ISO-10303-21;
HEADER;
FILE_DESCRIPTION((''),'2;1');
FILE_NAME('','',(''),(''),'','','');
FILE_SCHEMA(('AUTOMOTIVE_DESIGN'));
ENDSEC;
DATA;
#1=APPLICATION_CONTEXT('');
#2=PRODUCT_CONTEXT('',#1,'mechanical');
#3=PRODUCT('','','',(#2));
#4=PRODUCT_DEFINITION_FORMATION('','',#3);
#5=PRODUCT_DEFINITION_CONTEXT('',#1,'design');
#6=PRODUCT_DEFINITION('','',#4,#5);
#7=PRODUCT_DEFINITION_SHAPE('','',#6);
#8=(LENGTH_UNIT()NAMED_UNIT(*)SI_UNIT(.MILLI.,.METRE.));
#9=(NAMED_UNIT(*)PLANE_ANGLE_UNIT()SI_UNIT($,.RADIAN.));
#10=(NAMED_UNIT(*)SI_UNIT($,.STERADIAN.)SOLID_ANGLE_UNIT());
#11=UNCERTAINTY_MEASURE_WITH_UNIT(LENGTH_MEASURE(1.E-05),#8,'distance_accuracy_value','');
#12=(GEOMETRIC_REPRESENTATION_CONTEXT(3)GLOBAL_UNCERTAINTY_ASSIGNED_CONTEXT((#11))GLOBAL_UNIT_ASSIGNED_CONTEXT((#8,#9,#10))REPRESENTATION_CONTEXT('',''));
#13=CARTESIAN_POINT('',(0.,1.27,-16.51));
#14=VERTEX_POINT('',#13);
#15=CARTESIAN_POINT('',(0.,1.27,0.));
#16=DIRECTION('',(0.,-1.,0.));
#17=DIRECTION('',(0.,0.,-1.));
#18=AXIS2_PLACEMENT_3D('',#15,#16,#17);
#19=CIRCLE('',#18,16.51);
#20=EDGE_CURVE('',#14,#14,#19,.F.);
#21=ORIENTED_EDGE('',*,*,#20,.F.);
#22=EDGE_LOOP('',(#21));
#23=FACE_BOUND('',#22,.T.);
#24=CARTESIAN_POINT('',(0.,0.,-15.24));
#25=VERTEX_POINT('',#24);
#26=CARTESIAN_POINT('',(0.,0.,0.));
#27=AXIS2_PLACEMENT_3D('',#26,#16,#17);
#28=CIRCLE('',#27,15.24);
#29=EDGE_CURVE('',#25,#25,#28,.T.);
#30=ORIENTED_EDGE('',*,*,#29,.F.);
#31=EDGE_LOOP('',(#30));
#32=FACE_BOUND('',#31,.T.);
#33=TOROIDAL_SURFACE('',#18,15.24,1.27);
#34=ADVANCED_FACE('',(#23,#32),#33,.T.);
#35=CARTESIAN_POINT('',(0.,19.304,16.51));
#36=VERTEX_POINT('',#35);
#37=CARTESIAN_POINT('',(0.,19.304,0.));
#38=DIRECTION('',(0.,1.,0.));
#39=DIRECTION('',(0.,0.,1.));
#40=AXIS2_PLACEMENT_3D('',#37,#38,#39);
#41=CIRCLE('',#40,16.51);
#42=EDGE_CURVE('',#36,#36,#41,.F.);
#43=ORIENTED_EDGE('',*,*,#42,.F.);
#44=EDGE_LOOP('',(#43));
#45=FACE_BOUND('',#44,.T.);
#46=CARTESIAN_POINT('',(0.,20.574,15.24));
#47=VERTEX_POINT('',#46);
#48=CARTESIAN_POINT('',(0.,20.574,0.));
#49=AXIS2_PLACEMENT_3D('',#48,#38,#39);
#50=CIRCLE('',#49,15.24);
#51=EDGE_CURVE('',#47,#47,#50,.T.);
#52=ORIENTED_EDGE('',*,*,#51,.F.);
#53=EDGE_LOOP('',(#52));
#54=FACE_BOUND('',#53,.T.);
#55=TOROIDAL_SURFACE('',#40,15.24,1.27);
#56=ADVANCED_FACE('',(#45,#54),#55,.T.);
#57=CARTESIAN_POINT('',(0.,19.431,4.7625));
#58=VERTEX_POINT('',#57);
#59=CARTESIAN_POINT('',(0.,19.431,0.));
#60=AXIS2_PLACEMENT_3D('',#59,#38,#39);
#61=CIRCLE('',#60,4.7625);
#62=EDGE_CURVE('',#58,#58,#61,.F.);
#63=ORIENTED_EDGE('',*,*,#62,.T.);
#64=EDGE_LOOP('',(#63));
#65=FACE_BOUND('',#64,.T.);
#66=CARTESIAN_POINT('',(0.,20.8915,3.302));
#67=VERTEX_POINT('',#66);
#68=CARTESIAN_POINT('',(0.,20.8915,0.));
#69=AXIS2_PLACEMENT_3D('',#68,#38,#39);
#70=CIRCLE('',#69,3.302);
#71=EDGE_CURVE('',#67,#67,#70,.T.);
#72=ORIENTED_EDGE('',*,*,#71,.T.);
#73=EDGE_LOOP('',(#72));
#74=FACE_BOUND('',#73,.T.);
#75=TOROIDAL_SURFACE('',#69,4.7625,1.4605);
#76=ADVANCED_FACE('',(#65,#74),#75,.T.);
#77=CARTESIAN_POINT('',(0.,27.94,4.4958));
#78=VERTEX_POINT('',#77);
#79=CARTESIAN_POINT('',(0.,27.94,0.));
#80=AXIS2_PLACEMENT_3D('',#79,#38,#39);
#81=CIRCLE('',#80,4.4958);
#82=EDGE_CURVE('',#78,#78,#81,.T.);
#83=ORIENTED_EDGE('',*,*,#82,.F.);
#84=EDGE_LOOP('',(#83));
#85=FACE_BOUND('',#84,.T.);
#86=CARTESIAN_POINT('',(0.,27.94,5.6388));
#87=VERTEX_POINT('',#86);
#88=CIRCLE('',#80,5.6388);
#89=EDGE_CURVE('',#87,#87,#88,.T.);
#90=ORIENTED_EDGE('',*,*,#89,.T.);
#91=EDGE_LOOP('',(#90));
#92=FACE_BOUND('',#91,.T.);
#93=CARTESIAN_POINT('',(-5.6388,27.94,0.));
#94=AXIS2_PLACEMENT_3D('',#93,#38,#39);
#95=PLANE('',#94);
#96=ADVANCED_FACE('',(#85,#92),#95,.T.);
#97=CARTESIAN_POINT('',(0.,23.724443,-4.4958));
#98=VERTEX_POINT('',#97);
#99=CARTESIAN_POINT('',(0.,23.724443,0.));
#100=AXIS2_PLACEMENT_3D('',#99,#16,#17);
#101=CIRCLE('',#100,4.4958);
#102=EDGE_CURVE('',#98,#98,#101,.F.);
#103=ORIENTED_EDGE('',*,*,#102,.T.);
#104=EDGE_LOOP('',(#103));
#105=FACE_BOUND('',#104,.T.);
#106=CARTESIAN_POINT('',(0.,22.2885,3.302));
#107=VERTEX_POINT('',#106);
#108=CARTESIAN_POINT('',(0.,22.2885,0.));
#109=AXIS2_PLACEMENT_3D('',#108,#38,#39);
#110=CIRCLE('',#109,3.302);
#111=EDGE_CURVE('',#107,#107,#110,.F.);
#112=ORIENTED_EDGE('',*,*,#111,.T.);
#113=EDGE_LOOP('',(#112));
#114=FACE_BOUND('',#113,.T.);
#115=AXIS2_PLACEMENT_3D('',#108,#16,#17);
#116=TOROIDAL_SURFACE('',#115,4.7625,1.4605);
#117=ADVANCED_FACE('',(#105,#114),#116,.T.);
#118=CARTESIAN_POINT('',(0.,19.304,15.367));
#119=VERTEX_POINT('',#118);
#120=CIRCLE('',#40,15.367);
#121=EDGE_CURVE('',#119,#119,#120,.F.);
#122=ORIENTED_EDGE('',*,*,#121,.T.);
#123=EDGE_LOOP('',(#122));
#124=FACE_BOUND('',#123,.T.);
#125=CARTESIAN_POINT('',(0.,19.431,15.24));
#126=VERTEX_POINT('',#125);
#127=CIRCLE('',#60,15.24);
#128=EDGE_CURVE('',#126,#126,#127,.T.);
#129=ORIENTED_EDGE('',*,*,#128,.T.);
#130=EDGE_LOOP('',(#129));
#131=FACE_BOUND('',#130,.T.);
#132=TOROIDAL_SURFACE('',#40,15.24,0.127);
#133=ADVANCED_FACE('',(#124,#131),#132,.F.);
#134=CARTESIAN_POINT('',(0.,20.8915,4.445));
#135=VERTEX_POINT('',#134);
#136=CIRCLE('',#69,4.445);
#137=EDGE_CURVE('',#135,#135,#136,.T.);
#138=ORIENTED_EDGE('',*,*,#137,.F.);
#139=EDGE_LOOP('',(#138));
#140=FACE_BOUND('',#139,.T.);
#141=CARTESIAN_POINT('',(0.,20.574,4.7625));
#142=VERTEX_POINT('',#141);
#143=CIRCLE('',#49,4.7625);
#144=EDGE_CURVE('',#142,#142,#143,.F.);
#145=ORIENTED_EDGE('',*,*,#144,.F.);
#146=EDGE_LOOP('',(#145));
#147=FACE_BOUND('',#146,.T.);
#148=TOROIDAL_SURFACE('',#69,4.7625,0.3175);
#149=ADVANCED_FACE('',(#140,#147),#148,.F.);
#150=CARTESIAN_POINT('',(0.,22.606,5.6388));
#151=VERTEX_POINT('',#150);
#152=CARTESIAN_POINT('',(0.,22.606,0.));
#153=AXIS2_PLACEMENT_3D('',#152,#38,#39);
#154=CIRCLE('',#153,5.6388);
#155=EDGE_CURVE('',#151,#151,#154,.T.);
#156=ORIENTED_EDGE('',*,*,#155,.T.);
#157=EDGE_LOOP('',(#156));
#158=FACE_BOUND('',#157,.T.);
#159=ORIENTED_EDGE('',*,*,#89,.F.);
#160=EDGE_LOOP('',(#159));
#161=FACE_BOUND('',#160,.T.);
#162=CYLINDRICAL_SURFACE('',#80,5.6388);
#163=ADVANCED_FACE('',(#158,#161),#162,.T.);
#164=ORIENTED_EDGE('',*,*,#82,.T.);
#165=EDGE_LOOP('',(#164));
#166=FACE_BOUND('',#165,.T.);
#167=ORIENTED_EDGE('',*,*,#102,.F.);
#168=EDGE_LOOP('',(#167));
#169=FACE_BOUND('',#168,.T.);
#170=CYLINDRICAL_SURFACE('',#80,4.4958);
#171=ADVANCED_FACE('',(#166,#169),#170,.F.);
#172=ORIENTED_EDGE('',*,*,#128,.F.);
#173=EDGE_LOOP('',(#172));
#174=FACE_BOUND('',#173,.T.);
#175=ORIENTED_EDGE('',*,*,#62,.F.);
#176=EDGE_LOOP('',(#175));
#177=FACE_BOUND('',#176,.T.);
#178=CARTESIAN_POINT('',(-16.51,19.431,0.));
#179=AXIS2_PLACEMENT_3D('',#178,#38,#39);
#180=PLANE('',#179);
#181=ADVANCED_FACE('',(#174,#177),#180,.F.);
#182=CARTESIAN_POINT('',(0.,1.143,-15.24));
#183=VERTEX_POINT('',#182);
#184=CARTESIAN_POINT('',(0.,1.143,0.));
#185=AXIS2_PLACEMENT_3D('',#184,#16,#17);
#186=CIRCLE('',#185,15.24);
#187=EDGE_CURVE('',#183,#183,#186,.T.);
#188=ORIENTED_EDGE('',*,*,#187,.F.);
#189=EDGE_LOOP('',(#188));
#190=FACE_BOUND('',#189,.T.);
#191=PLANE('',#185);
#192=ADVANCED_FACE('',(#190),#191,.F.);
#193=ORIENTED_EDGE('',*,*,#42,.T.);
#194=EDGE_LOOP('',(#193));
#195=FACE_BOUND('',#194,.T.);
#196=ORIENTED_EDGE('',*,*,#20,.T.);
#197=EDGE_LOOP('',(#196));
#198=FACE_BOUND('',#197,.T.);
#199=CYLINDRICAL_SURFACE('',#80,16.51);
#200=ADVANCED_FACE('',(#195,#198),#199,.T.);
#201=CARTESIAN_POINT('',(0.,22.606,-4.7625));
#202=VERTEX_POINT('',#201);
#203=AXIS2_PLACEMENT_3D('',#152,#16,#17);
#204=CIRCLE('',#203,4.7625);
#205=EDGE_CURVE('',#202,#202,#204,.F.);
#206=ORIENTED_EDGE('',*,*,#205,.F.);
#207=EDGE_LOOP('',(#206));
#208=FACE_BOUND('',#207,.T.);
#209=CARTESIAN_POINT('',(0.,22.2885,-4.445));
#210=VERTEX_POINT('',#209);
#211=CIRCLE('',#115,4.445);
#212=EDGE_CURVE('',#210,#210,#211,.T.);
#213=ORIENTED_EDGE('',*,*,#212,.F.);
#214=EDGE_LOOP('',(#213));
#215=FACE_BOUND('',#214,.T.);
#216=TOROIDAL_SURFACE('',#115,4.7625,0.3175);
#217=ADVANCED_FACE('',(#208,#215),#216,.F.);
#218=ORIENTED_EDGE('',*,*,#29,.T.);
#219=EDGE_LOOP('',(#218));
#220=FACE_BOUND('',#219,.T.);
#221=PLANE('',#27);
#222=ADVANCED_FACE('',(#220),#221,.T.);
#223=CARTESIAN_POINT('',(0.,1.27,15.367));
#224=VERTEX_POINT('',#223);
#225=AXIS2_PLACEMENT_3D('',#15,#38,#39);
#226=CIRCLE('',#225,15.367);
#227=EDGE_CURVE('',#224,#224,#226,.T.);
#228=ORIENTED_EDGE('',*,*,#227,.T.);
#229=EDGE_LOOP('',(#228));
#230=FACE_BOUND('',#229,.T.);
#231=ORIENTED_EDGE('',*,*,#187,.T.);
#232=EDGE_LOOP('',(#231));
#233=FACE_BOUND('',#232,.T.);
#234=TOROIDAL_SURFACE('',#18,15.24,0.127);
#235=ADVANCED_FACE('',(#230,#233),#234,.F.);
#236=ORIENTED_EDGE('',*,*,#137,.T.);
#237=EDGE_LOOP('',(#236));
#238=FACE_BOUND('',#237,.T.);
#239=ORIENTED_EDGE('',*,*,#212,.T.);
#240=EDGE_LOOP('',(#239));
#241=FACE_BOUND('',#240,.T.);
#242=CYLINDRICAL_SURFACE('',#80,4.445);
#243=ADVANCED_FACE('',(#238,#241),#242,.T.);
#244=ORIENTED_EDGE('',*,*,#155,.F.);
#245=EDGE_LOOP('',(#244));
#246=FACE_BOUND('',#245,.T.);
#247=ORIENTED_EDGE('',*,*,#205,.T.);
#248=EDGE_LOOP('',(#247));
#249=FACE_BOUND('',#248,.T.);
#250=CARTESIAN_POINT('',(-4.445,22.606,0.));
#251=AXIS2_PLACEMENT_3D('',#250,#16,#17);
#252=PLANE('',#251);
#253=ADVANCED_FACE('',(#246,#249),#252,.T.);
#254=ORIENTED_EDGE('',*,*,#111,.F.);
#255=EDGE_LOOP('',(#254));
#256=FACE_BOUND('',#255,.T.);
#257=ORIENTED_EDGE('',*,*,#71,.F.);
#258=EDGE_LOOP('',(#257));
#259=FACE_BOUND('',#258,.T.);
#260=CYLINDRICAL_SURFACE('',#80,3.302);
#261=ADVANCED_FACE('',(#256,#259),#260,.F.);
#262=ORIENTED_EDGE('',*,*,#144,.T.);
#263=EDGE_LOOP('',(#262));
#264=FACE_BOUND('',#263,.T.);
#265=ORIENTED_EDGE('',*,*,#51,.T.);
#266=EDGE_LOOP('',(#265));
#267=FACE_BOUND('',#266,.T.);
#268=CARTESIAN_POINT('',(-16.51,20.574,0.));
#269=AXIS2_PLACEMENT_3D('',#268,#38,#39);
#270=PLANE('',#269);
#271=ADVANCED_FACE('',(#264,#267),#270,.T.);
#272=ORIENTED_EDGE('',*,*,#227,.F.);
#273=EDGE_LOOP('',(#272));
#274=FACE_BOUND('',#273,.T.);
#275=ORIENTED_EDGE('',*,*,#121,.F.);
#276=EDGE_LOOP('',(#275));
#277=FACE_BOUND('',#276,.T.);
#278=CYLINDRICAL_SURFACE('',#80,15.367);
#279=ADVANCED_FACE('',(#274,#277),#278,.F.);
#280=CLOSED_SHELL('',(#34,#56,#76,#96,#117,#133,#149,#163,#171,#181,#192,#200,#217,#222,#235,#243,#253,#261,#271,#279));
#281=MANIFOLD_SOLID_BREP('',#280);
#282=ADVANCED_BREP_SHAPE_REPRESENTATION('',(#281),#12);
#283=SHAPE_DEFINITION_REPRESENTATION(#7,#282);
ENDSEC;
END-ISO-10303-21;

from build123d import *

# Parameters (mm, degrees)
FILLET1_R = 1.27
FILLET2_R = 0.3175
FILLET3_R = 0.3175
SHELL1_T  = -1.143


with BuildPart() as part:
    # Sketch1 → Revolve1 (revolve)
    with BuildSketch(Plane.XY, mode=Mode.PRIVATE) as revolve1_sk:
        Polygon((0, 0), (-16.51, 0), (-16.51, 20.574), (-4.445, 20.574), (-4.445, 22.606), (-5.6388, 22.606), (-5.6388, 27.94), (0, 27.94), align=None)
    revolve(revolve1_sk.sketch.rotate(Axis((0, 27.94, 0), (0, -1, 0)), 270), axis=Axis((0, 27.94, 0), (0, -1, 0)))

    # Fillet1
    fillet1_edges = [part.edges().sort_by_distance(p)[0] for p in [
        (0, 20.574, -16.51),
        (0, 0, -16.51),
    ]]
    fillet(fillet1_edges, radius=FILLET1_R)

    # Fillet2
    fillet2_edges = [part.edges().sort_by_distance(p)[0] for p in [
        (0, 20.574, -4.445),
    ]]
    fillet(fillet2_edges, radius=FILLET2_R)

    # Fillet3
    fillet3_edges = [part.edges().sort_by_distance(p)[0] for p in [
        (0, 22.606, -4.445),
    ]]
    fillet(fillet3_edges, radius=FILLET3_R)

    # Shell1
    shell1_openings = [part.faces().sort_by_distance(p)[0] for p in [
        (0, 27.94, 0),
    ]]
    offset(amount=SHELL1_T, openings=shell1_openings)


solid = part.part
